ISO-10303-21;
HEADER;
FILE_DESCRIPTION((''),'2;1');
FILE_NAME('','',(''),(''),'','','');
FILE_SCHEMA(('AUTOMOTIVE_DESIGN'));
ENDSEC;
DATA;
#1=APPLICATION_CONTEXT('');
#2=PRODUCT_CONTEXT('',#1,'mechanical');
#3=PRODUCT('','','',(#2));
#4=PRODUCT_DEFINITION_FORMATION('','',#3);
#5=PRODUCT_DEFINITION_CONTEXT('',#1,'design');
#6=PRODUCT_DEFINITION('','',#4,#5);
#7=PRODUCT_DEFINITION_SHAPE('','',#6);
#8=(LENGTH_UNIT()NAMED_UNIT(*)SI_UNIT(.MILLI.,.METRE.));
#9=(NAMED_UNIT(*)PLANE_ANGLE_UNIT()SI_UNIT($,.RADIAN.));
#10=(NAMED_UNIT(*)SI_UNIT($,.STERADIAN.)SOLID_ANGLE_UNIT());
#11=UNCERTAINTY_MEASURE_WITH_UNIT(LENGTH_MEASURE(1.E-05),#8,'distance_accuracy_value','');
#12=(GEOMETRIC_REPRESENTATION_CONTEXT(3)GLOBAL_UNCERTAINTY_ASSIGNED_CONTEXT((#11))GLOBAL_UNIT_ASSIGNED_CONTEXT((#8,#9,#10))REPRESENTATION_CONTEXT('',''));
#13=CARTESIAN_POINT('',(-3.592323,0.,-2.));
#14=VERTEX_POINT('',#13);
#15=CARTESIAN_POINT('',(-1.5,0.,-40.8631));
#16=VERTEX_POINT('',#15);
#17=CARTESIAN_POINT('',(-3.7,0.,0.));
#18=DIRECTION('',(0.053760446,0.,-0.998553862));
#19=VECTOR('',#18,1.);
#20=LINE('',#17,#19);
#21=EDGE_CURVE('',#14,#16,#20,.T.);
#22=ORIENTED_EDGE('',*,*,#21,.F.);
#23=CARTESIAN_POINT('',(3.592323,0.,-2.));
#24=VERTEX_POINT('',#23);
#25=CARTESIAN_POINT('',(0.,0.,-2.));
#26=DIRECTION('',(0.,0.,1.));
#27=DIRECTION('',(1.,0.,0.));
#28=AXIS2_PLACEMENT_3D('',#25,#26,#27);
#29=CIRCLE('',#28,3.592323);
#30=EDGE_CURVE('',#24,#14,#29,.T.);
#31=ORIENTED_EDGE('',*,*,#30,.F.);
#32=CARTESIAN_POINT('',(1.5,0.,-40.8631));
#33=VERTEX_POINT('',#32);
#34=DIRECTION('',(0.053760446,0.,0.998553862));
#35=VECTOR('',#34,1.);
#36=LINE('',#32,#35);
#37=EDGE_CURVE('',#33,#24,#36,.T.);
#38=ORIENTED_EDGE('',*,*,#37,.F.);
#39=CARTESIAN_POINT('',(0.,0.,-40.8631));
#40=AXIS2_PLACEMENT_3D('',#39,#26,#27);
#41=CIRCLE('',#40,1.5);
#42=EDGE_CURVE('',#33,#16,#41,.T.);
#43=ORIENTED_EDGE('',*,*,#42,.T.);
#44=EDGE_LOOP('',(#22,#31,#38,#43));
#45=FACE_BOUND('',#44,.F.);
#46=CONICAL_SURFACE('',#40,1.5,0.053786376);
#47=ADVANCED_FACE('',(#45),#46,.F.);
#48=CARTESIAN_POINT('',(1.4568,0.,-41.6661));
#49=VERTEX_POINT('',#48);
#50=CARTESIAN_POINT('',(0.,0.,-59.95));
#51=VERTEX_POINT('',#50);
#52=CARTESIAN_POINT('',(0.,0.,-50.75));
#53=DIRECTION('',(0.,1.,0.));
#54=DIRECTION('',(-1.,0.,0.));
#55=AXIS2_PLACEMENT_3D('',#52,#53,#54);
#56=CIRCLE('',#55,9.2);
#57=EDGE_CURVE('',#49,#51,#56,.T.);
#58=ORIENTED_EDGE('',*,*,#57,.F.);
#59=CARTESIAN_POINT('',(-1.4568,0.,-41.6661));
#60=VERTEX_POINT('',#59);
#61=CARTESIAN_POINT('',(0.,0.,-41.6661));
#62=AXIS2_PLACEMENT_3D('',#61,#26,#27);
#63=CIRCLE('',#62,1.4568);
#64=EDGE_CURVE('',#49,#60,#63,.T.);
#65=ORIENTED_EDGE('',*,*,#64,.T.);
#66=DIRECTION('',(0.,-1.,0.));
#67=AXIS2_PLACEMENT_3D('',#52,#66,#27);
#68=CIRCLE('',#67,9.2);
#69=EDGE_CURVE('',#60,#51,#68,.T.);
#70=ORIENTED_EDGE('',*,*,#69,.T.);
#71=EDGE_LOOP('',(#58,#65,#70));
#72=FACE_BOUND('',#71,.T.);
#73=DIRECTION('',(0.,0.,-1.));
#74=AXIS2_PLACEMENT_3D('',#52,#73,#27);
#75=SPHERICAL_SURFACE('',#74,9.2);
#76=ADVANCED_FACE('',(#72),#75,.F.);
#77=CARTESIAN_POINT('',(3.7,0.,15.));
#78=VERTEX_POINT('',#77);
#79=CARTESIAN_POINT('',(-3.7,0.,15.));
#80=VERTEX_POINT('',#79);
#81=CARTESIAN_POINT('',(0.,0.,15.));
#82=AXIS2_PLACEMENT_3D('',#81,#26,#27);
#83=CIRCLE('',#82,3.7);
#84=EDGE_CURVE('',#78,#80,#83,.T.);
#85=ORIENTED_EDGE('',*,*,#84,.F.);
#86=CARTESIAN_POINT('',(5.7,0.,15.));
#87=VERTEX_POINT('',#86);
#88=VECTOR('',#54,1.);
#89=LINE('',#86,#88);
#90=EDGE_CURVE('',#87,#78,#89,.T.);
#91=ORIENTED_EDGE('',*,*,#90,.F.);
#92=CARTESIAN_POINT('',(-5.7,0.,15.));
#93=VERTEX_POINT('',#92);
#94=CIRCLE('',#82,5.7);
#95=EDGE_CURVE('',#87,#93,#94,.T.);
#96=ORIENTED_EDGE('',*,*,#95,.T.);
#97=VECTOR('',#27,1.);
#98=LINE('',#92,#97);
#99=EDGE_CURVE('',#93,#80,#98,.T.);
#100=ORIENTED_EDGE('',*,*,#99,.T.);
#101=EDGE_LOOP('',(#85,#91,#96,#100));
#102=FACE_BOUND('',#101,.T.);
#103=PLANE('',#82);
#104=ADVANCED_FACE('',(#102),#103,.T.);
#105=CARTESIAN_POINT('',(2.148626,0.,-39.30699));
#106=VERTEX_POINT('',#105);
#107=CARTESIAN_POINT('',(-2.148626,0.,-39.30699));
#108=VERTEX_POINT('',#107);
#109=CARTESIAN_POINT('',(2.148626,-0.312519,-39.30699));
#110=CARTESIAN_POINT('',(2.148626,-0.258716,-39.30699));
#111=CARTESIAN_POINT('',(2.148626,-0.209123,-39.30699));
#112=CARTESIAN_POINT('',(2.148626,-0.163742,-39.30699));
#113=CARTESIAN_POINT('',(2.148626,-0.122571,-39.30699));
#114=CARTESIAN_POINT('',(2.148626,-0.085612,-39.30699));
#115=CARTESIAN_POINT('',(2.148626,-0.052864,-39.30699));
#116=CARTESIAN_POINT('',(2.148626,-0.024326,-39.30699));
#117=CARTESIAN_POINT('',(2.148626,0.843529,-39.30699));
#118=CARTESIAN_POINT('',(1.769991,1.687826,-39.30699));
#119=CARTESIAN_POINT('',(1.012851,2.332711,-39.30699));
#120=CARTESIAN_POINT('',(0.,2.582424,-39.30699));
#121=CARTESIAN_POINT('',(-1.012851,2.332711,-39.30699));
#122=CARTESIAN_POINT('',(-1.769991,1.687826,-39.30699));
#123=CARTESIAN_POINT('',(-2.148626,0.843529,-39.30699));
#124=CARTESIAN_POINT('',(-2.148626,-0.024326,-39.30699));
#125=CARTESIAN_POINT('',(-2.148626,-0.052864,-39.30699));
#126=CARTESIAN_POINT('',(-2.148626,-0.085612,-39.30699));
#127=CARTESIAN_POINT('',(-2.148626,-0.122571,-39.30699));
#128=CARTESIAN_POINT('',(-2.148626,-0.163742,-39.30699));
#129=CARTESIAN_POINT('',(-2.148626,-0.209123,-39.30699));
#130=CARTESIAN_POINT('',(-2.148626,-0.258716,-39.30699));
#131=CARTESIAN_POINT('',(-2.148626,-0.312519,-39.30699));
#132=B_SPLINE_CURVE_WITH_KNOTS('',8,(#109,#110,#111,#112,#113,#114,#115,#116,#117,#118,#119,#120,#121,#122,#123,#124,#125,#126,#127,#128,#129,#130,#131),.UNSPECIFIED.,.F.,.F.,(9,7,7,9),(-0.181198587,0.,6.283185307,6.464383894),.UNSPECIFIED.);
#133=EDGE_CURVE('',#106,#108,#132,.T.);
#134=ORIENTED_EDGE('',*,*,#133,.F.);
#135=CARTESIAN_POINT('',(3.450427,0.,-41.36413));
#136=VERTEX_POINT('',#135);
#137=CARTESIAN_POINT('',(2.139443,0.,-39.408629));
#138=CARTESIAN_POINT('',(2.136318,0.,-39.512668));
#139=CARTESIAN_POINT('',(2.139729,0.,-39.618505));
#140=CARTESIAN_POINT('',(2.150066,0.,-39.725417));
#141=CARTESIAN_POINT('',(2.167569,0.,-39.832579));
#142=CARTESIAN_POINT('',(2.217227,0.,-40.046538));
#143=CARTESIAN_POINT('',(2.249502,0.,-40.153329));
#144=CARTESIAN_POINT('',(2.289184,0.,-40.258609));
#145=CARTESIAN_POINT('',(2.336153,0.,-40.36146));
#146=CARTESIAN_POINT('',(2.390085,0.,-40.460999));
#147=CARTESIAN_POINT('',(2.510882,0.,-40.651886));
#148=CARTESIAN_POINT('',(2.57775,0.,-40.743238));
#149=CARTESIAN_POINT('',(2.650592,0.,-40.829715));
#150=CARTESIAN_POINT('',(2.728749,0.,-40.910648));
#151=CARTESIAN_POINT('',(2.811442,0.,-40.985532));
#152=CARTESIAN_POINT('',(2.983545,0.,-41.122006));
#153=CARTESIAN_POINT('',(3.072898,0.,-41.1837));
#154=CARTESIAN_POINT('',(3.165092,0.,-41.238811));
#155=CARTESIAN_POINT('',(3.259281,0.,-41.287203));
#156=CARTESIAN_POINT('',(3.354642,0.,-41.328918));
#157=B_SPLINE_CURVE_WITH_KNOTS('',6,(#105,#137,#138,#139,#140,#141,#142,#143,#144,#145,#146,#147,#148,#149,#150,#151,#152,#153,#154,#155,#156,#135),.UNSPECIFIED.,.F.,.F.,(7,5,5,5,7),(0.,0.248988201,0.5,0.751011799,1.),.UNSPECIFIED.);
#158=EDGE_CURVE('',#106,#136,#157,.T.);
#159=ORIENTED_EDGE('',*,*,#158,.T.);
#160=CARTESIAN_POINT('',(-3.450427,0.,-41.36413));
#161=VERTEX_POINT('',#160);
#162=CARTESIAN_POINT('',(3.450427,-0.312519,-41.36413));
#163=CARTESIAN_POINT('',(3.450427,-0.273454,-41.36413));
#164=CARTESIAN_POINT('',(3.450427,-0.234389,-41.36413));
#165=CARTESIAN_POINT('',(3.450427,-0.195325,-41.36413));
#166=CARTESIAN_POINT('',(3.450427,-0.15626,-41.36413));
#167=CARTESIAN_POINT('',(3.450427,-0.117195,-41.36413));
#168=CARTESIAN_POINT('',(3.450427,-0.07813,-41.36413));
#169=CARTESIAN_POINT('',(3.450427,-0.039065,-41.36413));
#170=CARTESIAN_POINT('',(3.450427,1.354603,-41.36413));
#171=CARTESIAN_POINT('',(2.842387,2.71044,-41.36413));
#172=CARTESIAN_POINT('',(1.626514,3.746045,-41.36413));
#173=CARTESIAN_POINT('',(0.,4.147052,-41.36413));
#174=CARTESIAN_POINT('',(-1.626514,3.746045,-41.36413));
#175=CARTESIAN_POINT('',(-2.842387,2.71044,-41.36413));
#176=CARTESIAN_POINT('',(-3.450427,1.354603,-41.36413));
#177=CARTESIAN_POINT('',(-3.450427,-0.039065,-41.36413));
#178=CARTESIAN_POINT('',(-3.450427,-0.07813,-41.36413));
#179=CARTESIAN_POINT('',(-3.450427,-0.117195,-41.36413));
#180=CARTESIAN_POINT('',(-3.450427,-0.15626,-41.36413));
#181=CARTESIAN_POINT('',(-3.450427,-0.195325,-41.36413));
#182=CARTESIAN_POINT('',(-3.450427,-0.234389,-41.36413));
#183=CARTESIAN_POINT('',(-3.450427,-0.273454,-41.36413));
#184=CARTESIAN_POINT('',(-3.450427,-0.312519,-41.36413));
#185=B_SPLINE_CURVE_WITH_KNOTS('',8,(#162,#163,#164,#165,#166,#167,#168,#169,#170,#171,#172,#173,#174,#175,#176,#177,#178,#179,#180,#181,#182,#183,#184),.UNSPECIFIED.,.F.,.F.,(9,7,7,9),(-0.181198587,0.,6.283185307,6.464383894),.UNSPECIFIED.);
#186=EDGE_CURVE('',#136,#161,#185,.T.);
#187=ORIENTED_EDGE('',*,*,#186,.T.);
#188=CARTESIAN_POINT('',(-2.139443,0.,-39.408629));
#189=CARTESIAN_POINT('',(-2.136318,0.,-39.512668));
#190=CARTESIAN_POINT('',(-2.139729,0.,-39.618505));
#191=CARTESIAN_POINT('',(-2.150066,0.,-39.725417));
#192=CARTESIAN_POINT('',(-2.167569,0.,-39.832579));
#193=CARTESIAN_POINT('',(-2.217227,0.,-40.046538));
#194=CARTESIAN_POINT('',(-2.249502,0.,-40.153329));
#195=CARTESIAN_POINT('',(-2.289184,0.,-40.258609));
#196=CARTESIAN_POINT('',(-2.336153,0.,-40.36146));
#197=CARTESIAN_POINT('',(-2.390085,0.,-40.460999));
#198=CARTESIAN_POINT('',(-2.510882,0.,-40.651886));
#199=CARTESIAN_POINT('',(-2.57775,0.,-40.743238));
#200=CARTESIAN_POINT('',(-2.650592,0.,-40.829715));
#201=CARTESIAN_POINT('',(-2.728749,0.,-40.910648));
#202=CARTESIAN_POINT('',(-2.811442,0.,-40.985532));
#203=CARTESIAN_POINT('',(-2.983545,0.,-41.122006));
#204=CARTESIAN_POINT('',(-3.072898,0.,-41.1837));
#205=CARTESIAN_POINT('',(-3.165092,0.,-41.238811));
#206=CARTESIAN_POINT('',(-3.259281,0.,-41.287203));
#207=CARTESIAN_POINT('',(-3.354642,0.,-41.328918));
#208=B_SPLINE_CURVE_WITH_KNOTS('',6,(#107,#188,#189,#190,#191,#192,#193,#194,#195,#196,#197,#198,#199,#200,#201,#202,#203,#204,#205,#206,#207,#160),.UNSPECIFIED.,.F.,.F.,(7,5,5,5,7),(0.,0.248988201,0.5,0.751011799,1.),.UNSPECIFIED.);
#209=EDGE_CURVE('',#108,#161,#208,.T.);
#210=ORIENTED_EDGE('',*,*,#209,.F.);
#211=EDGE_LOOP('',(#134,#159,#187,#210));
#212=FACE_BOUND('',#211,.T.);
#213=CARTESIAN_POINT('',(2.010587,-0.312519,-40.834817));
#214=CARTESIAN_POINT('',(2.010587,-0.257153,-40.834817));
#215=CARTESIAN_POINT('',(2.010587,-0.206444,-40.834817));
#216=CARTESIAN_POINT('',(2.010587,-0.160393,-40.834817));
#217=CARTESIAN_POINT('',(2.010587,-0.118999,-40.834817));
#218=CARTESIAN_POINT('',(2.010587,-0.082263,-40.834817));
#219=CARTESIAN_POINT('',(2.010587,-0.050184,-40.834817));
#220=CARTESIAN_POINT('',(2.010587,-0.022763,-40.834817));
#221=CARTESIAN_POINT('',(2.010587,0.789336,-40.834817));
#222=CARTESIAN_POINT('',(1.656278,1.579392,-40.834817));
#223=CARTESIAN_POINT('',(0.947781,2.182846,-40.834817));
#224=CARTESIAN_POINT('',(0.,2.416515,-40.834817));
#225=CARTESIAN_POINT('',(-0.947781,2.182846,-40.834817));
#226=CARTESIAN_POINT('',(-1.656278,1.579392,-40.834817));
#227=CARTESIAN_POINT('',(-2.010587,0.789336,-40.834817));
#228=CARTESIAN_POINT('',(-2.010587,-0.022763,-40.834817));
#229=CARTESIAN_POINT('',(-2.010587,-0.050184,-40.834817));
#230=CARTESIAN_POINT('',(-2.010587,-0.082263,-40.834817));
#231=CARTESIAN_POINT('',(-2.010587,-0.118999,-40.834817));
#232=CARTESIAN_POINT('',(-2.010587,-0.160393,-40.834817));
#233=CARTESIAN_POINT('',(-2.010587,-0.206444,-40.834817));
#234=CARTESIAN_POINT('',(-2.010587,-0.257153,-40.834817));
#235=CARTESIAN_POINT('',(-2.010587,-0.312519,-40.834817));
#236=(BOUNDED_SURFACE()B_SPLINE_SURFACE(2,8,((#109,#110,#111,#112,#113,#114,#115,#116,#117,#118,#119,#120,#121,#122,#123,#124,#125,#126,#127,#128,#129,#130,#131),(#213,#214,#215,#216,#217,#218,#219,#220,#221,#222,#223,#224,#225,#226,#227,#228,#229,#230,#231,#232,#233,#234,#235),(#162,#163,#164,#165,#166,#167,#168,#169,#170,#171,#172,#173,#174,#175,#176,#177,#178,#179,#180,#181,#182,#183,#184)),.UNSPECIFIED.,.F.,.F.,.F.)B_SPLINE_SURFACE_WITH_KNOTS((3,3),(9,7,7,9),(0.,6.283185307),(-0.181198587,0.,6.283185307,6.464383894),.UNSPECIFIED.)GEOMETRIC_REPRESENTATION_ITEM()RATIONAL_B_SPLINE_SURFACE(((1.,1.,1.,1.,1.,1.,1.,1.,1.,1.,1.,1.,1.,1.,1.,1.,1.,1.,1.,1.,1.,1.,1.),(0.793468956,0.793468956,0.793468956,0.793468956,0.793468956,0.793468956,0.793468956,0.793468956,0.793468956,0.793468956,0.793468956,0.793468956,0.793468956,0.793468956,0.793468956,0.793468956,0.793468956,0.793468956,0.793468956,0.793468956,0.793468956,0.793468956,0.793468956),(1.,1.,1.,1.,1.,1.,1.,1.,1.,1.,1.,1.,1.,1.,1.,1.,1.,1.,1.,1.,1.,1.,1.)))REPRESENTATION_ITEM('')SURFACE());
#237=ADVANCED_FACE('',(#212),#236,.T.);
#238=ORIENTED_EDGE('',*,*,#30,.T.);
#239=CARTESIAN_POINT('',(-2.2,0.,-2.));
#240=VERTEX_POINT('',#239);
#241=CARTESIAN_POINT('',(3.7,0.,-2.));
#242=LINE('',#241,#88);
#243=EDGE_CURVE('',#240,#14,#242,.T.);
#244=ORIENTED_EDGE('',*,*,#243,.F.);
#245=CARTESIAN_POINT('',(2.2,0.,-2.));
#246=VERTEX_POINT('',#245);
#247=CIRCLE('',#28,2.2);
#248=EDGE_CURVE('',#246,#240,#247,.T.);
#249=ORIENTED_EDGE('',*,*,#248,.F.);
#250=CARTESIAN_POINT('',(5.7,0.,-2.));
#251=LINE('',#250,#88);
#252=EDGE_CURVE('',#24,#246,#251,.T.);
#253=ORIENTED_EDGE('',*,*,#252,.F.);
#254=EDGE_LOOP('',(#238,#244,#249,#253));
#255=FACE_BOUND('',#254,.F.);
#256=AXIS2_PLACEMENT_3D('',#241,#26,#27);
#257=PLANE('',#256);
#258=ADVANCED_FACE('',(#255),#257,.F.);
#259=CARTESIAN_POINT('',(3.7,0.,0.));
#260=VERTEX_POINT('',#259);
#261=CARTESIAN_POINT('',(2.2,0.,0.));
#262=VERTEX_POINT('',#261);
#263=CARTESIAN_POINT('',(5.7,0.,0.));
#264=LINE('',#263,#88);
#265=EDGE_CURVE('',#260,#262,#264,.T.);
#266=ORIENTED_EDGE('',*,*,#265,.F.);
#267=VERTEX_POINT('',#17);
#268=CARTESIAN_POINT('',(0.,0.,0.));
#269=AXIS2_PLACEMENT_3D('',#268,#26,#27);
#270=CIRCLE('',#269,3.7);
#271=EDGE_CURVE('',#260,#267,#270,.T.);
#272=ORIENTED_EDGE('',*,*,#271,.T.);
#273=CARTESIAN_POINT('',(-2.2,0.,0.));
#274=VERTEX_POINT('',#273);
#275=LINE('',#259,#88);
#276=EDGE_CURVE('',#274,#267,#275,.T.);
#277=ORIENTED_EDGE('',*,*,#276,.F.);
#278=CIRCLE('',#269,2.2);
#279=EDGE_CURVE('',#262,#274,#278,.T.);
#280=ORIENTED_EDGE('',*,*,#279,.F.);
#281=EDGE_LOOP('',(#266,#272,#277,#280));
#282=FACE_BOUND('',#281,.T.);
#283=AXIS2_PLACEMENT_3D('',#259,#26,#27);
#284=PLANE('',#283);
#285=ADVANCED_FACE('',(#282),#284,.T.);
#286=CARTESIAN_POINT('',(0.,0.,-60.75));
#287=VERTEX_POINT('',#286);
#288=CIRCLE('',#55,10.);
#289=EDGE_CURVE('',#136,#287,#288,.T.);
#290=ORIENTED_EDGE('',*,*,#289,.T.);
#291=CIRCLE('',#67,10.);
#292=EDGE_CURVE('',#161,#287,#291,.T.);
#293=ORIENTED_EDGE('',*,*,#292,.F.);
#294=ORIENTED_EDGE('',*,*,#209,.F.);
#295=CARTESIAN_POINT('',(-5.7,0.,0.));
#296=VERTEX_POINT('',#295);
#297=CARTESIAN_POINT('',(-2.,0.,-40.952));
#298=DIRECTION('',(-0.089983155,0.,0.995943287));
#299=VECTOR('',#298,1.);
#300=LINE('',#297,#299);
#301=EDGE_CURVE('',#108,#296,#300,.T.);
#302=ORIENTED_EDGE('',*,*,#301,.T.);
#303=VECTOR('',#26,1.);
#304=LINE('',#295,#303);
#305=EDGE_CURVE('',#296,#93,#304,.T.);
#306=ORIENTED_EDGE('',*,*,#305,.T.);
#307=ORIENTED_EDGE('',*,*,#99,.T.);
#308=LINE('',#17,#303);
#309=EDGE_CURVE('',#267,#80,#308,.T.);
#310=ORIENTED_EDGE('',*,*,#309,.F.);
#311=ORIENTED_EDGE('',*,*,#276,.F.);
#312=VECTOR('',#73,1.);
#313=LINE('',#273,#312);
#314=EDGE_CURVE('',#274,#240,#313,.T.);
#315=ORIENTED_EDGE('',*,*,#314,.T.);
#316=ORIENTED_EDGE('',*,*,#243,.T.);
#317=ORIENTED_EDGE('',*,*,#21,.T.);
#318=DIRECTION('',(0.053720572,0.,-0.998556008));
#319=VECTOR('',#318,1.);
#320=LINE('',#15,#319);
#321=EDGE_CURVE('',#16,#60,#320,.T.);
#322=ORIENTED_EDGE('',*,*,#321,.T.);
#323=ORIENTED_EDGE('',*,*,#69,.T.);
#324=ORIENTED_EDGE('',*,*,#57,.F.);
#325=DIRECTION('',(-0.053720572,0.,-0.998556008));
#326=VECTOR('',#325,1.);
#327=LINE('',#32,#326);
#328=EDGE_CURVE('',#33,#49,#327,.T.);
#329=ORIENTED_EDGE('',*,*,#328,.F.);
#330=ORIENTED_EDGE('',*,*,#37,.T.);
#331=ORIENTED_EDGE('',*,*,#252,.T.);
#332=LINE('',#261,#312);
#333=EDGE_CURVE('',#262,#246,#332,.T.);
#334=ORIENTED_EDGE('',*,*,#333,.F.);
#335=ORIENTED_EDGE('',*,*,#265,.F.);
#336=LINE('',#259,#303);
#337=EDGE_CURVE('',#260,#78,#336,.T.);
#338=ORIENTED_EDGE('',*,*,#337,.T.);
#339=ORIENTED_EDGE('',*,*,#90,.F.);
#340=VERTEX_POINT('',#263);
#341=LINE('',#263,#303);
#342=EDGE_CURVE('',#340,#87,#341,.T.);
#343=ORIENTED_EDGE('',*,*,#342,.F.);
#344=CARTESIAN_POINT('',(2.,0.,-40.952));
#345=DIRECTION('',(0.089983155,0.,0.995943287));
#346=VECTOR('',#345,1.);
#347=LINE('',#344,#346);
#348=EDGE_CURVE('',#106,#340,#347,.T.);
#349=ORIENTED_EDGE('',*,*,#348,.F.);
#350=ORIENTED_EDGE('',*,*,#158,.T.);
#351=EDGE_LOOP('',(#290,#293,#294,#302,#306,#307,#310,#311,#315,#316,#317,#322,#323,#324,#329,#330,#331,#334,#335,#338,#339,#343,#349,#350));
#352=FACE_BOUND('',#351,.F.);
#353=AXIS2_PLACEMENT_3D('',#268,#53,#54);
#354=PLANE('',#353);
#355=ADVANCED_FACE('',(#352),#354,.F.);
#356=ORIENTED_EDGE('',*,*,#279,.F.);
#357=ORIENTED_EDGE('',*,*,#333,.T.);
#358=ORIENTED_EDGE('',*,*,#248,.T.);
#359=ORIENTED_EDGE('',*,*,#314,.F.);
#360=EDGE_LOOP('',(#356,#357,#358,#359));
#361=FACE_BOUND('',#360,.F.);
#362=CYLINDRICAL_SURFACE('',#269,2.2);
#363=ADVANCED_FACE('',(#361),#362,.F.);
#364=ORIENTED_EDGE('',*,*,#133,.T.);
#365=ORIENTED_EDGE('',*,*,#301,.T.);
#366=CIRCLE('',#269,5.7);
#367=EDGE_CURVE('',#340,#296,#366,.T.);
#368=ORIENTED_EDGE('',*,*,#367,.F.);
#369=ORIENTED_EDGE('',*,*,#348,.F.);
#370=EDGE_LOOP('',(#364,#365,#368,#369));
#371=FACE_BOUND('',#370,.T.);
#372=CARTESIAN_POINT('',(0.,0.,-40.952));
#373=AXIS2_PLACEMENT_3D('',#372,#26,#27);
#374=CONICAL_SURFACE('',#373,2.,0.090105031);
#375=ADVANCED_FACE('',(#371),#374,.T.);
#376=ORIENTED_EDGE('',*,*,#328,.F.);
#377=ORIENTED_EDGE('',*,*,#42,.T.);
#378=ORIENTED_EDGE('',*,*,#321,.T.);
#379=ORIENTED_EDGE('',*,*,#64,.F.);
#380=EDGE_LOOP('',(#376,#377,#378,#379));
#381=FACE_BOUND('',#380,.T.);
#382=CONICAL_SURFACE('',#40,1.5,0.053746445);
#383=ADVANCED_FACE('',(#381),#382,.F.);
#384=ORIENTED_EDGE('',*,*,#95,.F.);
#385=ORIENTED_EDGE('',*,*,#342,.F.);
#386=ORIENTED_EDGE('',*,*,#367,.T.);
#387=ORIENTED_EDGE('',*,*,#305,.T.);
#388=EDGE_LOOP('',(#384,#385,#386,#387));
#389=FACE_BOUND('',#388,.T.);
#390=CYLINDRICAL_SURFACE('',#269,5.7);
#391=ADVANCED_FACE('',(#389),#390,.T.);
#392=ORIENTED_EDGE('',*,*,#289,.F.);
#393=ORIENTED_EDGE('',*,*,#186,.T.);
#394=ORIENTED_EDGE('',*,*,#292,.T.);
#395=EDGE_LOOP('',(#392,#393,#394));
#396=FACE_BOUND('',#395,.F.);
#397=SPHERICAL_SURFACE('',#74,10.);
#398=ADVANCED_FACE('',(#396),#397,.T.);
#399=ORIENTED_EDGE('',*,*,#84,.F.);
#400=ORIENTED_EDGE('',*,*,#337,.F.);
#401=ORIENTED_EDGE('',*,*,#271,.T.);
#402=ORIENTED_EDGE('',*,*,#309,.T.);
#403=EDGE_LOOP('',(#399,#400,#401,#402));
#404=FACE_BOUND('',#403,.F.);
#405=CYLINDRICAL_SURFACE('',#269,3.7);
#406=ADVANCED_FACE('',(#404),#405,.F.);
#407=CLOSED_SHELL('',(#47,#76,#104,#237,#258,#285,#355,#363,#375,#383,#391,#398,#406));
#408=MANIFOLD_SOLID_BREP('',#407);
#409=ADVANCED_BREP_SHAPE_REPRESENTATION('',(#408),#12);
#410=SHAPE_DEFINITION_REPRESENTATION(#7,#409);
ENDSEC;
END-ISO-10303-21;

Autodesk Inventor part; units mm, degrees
ref_plane "YZ Plane" through (0, 0, 0) normal (1, 0, 0) x (0, 1, 0)
ref_plane "XZ Plane" through (0, 0, 0) normal (0, 1, 0) x (-1, 0, 0)
sketch "Sketch1" plane through (0, 0, 0) normal (0, 1, 0) x (-1, 0, 0)
  line L0 (0, 0) -> (-3.7, 0)
  line L1 (-3.7, 0) -> (-5.7, 0)
  line L2 (0, 0) -> (0, -40.75)
  line L3 (0, -40.75) -> (0, -50.75)
  circle A0 centre (0, -50.75) radius 10
  line L4 (-1.5, -40.8631) -> (0, -40.8631)
  line L5 (0, -40.8631) -> (0, -40.75)
  line L6 (-1.5, -40.75) -> (-1.5, -40.8631)
  line L7 (-1.5, -40.8631) -> (-3.7, 0)
  line L8 (0, -40.75) -> (-1.5, -40.75)
  line L9 (-1.5, -40.75) -> (-2, -40.75)
  line L10 (-2, -40.75) -> (-2, -40.952)
  line L11 (-2, -40.952) -> (-5.7, 0)
  line L12 (0, -50.75) -> (0, -60.75)
  circle A1 centre (0, -50.75) radius 9.2
  line L13 (-1.5, -40.8631) -> (-1.4568, -41.6661)
  line L14 (-3.7, 0) -> (-3.7, 15)
  line L15 (-3.7, 15) -> (-0.2, 15)
  line L16 (-5.7, 0) -> (-5.7, 15)
  line L17 (-5.7, 15) -> (-3.7, 15)
  point P0 (0, -59.95)
  dimension "d7" = 18.4
  dimension "d0" = 3.7
  dimension "d1" = 2
  dimension "d2" = 40.75
  dimension "d4" = 10
  dimension "d6" = 0.5
  dimension "d9" = 15
revolve "Revolution1" add sketch "Sketch1" angle 180 about axis through (0, 0, 0) along (0, 0, 1) contours L7 L9 L10 L11 L1 | L1 L16 L17 L14 | L7 A0 L10 L9 | L13 A1 L12 A0
ref_plane "Work Plane1" through (3.7, 0, 0) normal (0, 0, 1) x (1, 0, 0)
sketch "Sketch2" plane through (3.7, 0, 0) normal (0, 0, 1) x (1, 0, 0)
  circle A0 centre (-3.7, 0) radius 3.7
  circle A1 centre (-3.7, 0) radius 2.2
  line L0 (2, 0) -> (-1.7, 0) projected
  line L1 (0, 0) -> (-7.4, 0)
  point P0 (-5.9, 0)
  point P1 (-1.5, 0)
  dimension "d13" = 4.4
  dimension "d14" = 7.4
extrude "Rod Stopper" add sketch "Sketch2" against normal blind 2 contours L0 A1 L1 A0 picked at (-6.8429, 0.4707)
fillet "Fillet1" radius 2 1 edges at (0, 2, -40.952)
properties part number "markerWithRodEnd_3DPrint"
